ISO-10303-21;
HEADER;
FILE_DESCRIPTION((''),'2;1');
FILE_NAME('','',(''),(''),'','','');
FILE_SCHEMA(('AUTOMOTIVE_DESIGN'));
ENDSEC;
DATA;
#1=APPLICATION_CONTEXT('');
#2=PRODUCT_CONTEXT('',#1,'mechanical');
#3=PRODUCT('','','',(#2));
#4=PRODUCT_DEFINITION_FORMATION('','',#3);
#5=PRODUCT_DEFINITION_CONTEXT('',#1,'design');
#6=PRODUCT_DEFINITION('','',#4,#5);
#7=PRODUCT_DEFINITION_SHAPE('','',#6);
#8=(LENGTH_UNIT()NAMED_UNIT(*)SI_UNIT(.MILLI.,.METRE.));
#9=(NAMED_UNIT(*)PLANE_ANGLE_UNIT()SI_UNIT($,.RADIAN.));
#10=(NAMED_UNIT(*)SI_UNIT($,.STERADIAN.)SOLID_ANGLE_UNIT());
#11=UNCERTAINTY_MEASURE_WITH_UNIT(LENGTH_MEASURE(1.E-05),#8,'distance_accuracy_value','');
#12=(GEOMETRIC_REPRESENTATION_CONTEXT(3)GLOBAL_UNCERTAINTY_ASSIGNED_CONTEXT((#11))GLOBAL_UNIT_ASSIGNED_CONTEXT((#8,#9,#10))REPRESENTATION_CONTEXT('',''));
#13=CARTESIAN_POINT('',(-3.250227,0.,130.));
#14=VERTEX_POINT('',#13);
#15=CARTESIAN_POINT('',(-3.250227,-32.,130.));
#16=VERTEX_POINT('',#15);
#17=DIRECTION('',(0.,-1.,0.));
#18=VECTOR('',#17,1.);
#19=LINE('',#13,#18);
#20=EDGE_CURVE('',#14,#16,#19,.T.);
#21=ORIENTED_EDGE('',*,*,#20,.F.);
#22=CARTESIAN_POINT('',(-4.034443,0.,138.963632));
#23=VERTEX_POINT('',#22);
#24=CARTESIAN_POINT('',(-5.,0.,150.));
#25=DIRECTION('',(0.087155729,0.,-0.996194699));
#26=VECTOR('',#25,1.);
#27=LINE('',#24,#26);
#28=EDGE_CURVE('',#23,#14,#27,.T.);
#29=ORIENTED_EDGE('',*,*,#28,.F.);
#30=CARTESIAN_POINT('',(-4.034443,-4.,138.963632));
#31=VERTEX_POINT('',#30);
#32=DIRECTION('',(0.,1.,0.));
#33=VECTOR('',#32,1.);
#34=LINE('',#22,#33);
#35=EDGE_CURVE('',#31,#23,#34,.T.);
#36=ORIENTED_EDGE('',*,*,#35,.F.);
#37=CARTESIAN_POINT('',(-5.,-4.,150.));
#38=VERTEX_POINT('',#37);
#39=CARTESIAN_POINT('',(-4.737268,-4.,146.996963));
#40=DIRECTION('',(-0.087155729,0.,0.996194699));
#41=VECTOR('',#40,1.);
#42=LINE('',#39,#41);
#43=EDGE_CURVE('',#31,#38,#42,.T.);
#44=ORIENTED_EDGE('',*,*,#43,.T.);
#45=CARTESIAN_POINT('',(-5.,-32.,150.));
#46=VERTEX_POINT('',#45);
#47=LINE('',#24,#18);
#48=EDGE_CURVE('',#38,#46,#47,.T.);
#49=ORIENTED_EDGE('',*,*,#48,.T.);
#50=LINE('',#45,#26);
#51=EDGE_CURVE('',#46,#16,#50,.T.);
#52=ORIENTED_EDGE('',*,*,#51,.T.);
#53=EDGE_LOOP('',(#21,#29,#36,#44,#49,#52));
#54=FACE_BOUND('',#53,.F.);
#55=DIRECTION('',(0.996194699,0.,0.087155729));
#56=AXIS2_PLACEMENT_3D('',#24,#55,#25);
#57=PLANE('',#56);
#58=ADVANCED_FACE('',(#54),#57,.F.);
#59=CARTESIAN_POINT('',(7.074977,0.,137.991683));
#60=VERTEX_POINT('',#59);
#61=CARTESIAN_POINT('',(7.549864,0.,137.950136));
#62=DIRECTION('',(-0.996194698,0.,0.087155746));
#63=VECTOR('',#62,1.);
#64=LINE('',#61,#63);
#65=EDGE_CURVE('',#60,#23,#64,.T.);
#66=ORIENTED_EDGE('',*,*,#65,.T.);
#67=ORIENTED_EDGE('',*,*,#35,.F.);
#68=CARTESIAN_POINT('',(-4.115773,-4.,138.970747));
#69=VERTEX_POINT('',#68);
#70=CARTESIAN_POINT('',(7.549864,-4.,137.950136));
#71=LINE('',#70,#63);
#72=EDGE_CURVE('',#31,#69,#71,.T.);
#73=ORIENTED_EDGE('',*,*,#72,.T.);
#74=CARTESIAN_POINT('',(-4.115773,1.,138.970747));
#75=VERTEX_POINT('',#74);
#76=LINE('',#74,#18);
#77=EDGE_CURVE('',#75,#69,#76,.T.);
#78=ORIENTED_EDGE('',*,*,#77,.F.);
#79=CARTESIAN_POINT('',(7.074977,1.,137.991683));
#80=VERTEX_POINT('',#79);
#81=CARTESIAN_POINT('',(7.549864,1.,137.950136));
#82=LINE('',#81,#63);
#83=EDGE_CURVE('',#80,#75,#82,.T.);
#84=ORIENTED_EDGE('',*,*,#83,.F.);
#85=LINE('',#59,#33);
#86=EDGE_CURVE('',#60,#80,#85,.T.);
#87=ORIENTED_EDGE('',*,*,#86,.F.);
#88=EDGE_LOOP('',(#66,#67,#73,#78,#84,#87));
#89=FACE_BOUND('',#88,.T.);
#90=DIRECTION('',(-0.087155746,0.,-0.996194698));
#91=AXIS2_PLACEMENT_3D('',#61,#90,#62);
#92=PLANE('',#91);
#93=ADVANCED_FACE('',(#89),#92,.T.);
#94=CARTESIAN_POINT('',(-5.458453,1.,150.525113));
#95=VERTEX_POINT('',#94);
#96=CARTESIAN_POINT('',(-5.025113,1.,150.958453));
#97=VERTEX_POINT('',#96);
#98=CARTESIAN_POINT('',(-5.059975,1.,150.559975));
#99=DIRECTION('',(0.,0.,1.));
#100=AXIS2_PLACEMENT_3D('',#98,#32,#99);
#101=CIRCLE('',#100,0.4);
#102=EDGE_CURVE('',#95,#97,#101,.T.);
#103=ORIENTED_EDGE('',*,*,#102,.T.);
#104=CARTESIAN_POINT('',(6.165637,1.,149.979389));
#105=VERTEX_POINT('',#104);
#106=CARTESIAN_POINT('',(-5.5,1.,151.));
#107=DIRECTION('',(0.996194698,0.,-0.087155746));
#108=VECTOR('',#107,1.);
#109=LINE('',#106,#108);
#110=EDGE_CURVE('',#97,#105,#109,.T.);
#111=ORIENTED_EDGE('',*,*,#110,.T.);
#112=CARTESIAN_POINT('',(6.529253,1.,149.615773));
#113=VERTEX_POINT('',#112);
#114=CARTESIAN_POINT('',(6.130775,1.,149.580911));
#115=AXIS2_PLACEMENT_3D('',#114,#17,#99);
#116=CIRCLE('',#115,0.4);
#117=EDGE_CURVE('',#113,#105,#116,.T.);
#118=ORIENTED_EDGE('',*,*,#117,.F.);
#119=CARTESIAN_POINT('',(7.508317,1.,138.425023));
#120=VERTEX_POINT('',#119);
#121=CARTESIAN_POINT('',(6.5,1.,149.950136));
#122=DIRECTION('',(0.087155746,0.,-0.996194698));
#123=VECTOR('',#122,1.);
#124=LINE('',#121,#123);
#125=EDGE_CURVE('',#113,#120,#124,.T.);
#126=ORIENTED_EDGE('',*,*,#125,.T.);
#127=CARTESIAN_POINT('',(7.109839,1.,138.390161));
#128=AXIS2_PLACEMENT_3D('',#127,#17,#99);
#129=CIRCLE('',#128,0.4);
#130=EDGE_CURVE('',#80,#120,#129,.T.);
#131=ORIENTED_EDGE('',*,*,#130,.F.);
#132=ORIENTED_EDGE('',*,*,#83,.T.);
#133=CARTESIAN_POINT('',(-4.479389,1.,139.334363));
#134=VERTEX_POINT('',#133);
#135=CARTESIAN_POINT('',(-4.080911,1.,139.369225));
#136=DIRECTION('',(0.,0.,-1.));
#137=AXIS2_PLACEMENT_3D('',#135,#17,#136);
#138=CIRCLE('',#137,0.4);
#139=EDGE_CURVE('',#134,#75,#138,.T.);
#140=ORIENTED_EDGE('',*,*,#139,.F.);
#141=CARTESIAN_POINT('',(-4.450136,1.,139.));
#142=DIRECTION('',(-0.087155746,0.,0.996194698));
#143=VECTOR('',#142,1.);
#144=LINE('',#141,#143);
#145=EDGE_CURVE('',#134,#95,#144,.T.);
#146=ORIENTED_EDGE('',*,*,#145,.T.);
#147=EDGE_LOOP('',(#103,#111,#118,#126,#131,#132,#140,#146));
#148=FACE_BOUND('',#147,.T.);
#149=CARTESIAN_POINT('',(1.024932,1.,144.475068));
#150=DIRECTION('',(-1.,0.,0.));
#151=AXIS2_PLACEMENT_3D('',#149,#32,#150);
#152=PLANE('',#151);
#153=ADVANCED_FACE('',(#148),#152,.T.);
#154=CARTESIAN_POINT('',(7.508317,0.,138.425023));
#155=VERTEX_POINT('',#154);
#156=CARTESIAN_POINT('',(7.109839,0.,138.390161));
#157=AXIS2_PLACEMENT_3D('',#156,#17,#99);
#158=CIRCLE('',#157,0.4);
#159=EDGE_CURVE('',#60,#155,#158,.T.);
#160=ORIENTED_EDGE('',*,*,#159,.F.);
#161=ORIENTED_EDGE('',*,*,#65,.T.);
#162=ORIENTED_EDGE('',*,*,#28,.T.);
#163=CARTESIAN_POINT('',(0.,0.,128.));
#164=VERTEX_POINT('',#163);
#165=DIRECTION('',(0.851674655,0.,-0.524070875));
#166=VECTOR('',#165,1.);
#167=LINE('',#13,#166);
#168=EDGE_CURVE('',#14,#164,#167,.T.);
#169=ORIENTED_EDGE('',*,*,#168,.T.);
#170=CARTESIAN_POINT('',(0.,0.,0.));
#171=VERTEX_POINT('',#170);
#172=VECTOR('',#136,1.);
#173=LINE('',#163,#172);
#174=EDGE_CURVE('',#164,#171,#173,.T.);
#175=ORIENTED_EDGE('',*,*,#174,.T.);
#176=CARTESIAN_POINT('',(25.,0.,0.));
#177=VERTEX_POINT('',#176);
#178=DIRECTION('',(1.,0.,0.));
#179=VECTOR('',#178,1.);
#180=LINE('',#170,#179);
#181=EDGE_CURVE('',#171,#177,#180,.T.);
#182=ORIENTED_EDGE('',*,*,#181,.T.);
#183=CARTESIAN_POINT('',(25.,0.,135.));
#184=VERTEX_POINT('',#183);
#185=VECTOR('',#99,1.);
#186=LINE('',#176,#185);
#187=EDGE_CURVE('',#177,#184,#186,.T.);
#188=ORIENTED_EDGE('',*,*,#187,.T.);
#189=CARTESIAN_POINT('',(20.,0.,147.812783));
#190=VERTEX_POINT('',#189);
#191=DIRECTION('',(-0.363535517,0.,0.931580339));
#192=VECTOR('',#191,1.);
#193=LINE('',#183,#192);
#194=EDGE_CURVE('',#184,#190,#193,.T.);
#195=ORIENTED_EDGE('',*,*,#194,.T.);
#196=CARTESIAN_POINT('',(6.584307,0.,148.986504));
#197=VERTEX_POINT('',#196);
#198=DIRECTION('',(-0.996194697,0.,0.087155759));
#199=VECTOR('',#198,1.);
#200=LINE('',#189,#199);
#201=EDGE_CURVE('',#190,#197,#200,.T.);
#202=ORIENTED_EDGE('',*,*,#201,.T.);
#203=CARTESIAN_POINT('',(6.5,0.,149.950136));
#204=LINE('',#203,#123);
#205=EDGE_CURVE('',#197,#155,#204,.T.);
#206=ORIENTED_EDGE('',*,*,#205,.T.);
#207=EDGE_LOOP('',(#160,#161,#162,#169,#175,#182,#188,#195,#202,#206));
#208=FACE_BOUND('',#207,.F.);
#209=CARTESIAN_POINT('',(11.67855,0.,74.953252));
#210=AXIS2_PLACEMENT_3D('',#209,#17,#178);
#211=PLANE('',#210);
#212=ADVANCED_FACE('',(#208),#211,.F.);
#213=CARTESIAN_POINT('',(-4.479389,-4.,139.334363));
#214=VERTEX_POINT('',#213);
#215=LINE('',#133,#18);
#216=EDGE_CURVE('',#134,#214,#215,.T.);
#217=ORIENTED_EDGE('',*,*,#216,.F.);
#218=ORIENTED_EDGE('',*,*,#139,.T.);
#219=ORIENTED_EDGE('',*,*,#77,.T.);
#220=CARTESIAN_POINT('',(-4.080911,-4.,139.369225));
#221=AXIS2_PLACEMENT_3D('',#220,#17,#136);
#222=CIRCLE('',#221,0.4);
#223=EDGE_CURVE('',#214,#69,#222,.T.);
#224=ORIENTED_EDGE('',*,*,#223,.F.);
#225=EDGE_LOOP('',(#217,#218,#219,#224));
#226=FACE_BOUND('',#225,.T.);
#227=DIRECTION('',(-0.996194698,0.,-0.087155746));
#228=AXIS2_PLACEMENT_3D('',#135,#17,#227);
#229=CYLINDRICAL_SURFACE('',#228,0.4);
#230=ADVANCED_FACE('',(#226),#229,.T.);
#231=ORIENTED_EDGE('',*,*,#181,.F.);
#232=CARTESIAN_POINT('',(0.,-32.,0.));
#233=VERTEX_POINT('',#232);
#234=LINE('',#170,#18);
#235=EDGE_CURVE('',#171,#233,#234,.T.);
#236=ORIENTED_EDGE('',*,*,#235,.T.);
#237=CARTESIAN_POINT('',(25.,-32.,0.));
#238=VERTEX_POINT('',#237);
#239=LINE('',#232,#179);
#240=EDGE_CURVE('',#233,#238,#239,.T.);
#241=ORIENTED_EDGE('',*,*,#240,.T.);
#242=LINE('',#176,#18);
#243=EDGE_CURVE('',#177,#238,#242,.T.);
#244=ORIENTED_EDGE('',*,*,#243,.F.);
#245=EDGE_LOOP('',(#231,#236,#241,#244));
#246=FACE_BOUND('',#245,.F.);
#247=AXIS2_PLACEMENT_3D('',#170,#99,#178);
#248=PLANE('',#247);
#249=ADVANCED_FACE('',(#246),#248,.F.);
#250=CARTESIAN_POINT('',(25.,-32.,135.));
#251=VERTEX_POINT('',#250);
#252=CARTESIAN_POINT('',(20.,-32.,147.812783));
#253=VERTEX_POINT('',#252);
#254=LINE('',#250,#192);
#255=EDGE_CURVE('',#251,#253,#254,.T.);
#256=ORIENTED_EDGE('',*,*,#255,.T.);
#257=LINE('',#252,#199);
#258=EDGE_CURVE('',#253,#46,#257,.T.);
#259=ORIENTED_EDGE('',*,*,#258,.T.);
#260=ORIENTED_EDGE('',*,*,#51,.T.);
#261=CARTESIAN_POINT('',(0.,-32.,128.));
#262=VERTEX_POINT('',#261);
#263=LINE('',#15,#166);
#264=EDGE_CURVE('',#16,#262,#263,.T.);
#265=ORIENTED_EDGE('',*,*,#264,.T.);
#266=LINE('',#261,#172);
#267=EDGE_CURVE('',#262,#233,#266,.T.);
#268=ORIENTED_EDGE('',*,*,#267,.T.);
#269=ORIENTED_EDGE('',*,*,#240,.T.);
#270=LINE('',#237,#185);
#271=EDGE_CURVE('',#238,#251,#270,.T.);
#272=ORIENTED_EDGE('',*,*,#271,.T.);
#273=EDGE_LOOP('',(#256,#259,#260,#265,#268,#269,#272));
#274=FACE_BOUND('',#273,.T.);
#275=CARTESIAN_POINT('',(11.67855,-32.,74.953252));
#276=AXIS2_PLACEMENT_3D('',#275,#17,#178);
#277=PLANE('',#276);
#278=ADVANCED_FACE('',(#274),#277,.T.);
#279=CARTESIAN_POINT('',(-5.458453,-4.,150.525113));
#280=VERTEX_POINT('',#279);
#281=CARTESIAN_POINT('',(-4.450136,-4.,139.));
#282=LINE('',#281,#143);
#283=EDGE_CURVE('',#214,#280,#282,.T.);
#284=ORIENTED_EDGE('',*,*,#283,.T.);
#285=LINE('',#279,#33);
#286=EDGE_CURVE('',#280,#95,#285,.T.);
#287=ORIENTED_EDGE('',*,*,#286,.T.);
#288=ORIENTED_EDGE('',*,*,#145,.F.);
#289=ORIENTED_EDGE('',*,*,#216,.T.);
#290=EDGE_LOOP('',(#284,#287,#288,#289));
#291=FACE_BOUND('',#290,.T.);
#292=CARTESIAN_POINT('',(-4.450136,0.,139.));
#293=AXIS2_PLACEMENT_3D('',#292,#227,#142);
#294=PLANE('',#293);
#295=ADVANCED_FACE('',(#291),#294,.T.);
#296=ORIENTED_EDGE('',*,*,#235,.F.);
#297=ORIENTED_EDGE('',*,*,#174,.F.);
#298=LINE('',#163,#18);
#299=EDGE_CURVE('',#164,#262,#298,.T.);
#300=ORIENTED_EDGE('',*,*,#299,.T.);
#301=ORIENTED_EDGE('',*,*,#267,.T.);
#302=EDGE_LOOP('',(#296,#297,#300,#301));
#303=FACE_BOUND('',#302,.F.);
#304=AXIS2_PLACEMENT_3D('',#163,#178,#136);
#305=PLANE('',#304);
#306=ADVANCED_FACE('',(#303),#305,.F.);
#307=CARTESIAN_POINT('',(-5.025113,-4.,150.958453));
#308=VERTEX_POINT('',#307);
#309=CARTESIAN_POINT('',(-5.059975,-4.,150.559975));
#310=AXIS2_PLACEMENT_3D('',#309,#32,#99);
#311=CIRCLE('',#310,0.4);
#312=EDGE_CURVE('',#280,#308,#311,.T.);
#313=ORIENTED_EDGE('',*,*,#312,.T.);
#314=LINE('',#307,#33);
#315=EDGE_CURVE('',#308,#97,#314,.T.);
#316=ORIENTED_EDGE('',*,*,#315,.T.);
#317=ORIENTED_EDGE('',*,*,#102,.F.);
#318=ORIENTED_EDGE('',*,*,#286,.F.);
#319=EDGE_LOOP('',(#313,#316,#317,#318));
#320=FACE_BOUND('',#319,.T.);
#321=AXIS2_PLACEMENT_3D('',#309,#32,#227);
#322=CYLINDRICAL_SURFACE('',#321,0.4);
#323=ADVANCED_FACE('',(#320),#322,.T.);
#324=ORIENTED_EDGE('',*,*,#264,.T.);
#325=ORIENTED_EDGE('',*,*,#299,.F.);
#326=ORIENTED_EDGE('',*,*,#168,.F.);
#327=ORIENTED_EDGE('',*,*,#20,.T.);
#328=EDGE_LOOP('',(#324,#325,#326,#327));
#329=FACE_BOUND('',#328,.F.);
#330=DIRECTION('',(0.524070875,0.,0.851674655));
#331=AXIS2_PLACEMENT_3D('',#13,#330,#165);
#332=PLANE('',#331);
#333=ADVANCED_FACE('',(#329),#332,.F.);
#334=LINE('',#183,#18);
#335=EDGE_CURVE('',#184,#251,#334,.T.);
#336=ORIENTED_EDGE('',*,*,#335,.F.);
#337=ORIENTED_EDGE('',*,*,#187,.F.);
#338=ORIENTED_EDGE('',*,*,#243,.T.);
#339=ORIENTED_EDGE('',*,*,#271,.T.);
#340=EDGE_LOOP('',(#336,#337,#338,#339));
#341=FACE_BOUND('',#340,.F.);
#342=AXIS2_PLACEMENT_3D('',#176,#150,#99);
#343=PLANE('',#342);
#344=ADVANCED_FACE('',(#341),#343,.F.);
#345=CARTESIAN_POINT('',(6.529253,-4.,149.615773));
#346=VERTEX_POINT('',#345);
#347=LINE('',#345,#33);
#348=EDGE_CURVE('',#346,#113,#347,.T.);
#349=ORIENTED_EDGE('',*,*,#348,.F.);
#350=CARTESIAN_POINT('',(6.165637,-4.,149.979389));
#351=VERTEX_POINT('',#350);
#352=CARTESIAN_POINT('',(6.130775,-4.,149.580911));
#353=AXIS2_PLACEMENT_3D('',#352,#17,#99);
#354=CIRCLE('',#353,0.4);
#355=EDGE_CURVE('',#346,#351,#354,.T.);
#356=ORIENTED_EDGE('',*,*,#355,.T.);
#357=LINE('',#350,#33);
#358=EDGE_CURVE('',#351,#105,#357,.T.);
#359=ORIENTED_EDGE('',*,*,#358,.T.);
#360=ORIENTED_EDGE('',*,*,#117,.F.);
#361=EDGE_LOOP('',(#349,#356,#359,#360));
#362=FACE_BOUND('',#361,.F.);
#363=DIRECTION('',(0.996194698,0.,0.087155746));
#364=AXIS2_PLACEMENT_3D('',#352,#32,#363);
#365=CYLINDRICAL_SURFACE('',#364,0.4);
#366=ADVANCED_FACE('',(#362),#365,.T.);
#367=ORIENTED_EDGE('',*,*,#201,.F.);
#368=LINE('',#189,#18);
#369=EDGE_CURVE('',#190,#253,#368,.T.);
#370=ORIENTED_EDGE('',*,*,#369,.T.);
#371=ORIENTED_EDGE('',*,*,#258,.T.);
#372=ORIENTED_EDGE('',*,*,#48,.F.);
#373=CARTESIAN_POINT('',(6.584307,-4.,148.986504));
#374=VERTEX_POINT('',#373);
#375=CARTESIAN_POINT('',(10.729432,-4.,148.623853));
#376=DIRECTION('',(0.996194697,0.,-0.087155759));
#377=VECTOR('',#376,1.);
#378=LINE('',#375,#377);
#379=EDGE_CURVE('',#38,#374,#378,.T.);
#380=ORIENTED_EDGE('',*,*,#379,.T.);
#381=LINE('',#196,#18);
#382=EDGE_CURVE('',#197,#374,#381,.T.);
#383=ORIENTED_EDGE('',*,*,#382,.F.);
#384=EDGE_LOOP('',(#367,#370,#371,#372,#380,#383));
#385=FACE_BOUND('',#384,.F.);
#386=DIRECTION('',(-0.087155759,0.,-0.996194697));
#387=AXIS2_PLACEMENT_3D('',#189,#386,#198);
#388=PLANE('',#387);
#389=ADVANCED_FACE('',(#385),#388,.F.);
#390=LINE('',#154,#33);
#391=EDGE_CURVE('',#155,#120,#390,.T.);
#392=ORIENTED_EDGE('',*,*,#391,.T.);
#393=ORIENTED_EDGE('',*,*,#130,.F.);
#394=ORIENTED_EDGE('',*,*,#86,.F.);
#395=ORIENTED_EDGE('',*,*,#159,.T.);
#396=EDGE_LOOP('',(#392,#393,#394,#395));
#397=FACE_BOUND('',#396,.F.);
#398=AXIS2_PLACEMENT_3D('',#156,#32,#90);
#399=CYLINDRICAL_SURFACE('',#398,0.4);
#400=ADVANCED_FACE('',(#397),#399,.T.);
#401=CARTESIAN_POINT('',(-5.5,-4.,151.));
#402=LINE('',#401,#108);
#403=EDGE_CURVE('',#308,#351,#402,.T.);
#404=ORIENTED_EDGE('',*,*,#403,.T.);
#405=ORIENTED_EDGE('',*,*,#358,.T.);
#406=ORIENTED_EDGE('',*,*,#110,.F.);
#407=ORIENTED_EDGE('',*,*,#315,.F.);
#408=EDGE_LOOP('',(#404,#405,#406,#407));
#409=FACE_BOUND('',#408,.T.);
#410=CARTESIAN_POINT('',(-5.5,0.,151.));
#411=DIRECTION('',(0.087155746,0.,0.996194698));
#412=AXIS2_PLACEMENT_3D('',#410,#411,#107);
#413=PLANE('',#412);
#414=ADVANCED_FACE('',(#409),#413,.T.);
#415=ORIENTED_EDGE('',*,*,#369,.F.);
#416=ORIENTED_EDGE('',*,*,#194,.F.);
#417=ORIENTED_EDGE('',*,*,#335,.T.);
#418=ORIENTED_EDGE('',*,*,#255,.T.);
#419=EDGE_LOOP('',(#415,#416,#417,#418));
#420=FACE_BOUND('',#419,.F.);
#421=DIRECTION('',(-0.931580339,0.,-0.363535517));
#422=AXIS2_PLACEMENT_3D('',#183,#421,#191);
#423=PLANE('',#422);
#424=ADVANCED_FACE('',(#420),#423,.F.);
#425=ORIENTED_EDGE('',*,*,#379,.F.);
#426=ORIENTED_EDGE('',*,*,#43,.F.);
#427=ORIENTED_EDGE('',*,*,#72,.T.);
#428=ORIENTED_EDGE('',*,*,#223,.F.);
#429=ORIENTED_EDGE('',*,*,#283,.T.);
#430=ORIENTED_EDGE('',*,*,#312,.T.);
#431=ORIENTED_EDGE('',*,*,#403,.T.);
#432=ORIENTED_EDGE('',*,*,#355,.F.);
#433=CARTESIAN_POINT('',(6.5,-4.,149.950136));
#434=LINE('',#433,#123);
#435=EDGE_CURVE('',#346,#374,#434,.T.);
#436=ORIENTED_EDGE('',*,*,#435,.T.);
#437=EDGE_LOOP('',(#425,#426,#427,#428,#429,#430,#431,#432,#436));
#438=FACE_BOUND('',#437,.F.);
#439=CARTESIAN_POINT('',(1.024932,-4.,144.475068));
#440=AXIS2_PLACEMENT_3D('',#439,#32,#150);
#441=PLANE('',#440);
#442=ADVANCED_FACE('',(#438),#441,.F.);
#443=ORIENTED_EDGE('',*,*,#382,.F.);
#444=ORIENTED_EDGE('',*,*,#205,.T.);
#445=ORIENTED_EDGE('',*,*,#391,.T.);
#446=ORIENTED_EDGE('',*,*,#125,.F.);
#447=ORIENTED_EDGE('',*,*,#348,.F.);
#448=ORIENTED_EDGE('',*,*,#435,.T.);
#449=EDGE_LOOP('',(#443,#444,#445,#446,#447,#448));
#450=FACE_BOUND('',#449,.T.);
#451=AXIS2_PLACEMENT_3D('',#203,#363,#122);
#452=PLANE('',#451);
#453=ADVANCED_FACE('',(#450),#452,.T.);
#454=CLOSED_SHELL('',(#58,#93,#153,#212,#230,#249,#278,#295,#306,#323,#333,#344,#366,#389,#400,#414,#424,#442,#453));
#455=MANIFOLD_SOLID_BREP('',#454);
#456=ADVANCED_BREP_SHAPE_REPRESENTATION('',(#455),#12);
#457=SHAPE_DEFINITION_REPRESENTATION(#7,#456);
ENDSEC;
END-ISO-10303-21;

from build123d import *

# Parameters (mm, degrees)
F1_DEPTH      = 32
F3_DEPTH      = 1
F3_DEPTH_BACK = 4
F4_R          = 0.4


with BuildPart() as f1:
    # F0 (on Front) → F1 (new body)
    with BuildSketch(Plane.XZ):
        Polygon((0, 128), (0, 0), (25, 0), (25, 135), (20, 147.812783), (-5, 150), (-3.250227, 130), align=None)
    extrude(amount=F1_DEPTH)

    # F2 (on face) → F3 (join, two sides)
    with BuildSketch(Plane(origin=(0, 0, 0), x_dir=(-1, 0, 0), z_dir=(0, 1, 0))) as f3_sk:
        Polygon((4.450136, 139), (5.5, 151), (-6.5, 149.950136), (-7.549864, 137.950136), align=None)
    extrude(amount=F3_DEPTH)
    extrude(f3_sk.sketch, amount=-F3_DEPTH_BACK)

    # F4
    f4_edges = [f1.edges().sort_by_distance(p)[0] for p in [
        (-5.5, -1.5, 151),
        (6.5, -1.5, 149.950136),
        (-4.450136, -1.5, 139),
        (7.549864, 0.5, 137.950136),
    ]]
    fillet(f4_edges, radius=F4_R)


solid = f1.part
